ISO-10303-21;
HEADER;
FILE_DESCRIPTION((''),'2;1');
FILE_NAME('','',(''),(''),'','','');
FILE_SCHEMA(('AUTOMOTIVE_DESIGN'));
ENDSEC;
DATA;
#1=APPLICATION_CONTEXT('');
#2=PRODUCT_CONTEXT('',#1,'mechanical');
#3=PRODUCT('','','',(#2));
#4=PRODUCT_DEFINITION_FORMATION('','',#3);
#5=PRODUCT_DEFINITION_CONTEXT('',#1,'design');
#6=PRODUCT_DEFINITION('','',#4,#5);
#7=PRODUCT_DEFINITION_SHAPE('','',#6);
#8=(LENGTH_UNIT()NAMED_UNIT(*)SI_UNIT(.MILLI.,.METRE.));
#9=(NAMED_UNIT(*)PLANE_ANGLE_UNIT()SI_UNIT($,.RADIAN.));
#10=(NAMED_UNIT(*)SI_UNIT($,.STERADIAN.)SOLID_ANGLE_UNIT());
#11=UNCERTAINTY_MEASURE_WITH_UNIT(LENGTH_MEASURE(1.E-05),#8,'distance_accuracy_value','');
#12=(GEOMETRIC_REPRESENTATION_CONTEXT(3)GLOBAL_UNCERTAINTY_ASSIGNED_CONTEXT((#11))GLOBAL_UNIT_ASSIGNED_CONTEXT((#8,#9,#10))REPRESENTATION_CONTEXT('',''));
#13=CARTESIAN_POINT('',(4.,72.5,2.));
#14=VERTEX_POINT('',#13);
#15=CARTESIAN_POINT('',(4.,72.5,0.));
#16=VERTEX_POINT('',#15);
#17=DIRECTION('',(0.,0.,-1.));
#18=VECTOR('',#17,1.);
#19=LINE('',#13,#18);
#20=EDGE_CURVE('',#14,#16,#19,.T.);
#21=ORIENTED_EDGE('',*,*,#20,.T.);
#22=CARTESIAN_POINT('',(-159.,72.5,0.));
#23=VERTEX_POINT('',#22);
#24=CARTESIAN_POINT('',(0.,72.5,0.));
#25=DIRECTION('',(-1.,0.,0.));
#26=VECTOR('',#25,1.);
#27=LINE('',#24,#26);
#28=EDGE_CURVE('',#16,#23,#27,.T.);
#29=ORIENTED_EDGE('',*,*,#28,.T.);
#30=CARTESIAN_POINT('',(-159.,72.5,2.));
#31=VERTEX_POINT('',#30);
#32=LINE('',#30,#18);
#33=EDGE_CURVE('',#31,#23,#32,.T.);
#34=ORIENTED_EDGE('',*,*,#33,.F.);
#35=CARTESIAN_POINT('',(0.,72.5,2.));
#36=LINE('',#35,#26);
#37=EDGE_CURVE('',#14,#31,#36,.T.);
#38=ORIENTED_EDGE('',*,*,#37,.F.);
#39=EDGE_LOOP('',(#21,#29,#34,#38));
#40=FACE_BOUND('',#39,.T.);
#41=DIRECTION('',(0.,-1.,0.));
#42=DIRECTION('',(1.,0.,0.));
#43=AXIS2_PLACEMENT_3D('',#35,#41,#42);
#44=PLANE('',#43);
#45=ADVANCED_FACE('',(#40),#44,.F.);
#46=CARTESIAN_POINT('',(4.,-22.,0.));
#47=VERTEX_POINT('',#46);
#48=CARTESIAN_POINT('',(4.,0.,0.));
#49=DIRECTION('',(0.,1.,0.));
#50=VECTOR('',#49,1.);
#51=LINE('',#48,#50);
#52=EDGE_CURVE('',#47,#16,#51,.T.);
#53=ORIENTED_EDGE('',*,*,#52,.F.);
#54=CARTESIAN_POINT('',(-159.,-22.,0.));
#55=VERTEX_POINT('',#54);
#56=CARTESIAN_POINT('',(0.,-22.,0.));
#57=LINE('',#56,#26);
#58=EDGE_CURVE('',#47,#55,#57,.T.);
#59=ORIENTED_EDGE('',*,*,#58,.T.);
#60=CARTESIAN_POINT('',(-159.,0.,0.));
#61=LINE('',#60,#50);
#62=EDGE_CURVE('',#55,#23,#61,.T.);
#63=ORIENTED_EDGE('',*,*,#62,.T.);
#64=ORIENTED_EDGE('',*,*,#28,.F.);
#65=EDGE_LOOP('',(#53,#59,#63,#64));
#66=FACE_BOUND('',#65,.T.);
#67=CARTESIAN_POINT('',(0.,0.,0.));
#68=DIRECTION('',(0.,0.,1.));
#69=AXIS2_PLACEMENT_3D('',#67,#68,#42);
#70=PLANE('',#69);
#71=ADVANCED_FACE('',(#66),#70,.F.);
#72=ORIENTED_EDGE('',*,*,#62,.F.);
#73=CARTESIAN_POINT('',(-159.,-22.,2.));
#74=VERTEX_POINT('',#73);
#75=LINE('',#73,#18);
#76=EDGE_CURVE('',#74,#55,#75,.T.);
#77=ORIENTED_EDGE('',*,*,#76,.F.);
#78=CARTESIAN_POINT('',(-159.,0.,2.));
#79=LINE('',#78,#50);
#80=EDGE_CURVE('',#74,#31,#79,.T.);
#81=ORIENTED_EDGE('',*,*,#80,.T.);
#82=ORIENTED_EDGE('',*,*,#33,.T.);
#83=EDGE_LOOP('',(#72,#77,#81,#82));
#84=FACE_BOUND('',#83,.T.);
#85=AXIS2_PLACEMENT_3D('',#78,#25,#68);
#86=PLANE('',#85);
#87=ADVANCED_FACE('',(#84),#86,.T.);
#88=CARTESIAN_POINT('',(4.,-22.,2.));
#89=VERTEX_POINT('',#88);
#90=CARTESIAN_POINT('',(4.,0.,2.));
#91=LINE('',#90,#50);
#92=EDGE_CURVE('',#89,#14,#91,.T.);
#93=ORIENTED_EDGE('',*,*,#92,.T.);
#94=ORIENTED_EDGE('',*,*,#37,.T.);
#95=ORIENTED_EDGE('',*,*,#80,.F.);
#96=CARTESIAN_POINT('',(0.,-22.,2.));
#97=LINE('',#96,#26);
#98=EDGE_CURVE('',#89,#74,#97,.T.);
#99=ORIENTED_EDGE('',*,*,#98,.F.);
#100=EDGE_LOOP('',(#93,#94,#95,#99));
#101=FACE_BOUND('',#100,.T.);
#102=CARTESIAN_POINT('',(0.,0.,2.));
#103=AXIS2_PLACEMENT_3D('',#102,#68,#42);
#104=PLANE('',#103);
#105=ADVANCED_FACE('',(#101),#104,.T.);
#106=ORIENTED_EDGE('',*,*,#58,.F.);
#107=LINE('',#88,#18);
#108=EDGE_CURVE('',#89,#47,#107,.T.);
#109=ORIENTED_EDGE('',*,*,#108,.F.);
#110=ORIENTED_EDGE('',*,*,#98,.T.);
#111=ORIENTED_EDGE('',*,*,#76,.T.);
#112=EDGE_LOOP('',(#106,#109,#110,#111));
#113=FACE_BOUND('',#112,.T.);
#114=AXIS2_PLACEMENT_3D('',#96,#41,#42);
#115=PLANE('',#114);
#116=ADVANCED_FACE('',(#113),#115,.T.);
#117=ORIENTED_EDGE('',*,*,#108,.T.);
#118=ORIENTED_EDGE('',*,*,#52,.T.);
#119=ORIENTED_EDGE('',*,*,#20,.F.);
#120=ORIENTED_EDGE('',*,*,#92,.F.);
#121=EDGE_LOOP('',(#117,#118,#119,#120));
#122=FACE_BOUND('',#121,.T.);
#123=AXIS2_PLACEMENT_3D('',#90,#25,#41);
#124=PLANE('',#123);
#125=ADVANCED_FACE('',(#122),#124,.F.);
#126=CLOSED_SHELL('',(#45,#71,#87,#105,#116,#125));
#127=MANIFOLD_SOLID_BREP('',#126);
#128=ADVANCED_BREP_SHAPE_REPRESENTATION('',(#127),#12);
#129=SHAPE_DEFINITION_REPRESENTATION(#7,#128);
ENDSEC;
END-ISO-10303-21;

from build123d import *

# Parameters (mm, degrees)
SKETCH1_W           = 163
SKETCH1_H           = 94.5
BOSS_EXTRUDE1_DEPTH = 2


with BuildPart() as part:
    # Sketch1 → Boss-Extrude1 (new body)
    with BuildSketch(Plane.XY):
        with Locations((-77.5, 25.25)):
            Rectangle(SKETCH1_W, SKETCH1_H)
    extrude(amount=BOSS_EXTRUDE1_DEPTH)


solid = part.part
